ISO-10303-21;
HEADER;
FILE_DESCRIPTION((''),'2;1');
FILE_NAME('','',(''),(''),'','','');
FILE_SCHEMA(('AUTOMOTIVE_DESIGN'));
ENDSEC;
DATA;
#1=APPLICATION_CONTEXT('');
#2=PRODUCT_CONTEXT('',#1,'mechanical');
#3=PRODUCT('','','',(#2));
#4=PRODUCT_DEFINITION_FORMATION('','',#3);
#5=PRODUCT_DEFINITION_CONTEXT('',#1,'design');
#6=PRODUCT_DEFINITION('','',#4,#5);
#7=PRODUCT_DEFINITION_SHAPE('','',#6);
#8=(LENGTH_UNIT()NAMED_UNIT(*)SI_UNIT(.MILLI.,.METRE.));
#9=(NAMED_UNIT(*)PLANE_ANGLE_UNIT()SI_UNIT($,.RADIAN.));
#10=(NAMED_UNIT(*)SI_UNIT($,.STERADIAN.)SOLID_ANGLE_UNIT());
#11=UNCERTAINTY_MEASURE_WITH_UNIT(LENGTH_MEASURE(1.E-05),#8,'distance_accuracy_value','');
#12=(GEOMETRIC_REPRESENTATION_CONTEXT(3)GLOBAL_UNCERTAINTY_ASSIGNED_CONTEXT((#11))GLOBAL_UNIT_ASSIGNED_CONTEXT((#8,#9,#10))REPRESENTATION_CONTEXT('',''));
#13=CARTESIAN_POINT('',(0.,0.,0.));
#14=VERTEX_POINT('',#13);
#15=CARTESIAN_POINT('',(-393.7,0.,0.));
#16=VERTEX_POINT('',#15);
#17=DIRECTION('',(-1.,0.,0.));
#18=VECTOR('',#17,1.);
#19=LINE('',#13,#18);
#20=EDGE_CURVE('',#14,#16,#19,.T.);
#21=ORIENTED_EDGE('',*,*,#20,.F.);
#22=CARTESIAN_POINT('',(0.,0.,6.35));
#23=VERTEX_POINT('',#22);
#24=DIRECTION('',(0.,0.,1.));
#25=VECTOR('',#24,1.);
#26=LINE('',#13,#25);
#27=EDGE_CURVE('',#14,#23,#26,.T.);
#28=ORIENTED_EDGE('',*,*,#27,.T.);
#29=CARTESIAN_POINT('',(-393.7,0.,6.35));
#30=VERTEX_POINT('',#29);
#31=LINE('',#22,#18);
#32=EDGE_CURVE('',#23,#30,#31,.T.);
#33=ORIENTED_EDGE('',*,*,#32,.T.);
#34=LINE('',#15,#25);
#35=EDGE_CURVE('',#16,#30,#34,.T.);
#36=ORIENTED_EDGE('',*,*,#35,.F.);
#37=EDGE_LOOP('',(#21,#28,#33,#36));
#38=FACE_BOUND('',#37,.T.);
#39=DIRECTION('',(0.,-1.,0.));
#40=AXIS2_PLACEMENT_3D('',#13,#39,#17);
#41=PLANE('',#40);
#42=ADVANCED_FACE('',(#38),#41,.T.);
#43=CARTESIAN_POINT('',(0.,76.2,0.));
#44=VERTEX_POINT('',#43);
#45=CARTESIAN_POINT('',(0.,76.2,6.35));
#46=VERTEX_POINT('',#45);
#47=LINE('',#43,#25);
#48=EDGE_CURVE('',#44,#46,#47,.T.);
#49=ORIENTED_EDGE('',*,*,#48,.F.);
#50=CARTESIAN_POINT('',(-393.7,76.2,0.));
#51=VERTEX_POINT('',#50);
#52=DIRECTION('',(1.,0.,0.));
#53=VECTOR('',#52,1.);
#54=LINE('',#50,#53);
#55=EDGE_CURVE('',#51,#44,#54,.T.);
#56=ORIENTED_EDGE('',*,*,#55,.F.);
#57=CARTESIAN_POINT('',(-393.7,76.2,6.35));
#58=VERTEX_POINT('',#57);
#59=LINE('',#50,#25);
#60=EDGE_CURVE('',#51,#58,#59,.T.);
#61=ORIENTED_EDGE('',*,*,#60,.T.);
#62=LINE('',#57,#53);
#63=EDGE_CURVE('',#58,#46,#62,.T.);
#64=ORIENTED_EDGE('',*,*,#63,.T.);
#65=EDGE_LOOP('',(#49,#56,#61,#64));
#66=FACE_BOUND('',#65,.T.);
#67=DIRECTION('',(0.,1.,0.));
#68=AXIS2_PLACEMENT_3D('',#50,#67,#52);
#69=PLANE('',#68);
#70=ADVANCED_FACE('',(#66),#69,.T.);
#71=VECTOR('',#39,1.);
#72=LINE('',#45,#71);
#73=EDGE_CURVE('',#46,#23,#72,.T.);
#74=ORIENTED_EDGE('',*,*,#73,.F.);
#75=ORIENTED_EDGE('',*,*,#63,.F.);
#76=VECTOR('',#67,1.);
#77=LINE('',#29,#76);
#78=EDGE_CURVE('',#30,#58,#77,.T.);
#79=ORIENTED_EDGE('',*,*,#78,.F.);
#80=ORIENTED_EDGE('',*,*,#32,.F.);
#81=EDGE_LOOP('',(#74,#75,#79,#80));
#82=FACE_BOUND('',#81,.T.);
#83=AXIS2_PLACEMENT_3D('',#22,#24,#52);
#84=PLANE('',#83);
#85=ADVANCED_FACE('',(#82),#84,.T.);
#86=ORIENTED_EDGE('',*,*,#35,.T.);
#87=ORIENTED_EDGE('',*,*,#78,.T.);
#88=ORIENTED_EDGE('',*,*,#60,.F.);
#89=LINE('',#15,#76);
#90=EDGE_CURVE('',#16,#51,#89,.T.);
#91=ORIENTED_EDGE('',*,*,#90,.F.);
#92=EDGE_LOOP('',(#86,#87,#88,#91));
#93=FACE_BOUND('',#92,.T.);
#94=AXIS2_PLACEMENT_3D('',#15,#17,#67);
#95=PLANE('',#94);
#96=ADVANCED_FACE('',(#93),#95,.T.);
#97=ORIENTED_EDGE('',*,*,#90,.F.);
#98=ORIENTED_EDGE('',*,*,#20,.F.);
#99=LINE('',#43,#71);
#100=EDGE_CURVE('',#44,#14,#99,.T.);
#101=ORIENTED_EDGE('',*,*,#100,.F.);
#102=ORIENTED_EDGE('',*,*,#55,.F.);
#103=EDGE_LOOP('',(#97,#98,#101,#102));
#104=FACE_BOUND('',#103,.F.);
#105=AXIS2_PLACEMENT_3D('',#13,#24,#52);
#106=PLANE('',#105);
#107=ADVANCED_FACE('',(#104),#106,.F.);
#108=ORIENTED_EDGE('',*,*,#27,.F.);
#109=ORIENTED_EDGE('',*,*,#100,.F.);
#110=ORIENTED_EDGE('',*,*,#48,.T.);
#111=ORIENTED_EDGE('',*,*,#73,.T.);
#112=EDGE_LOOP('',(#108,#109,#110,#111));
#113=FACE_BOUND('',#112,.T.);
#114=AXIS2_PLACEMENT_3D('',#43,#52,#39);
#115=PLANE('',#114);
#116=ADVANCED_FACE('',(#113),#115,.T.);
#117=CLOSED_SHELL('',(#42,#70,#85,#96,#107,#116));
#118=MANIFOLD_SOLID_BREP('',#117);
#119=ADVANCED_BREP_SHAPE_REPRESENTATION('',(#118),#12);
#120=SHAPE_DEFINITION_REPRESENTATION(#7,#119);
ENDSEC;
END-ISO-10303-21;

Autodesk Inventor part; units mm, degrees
ref_plane "YZ Plane" through (0, 0, 0) normal (1, 0, 0) x (0, 1, 0)
ref_plane "XZ Plane" through (0, 0, 0) normal (0, 1, 0) x (-1, 0, 0)
ref_plane "XY Plane" through (0, 0, 0) normal (0, 0, 1) x (1, 0, 0)
sketch "Sketch1" plane through (0, 0, 0) normal (0, 0, 1) x (1, 0, 0)
  line L0 (0, 0) -> (-393.7, 0)
  line L1 (-393.7, 0) -> (-393.7, 76.2)
  line L2 (-393.7, 76.2) -> (0, 76.2)
  line L3 (0, 76.2) -> (0, 0)
  dimension "d0" = 393.7
  dimension "d1" = 76.2
extrude "Extrusion1" add sketch "Sketch1" along normal blind 6.35
properties part number "vrRig_v8_smallMirror"
